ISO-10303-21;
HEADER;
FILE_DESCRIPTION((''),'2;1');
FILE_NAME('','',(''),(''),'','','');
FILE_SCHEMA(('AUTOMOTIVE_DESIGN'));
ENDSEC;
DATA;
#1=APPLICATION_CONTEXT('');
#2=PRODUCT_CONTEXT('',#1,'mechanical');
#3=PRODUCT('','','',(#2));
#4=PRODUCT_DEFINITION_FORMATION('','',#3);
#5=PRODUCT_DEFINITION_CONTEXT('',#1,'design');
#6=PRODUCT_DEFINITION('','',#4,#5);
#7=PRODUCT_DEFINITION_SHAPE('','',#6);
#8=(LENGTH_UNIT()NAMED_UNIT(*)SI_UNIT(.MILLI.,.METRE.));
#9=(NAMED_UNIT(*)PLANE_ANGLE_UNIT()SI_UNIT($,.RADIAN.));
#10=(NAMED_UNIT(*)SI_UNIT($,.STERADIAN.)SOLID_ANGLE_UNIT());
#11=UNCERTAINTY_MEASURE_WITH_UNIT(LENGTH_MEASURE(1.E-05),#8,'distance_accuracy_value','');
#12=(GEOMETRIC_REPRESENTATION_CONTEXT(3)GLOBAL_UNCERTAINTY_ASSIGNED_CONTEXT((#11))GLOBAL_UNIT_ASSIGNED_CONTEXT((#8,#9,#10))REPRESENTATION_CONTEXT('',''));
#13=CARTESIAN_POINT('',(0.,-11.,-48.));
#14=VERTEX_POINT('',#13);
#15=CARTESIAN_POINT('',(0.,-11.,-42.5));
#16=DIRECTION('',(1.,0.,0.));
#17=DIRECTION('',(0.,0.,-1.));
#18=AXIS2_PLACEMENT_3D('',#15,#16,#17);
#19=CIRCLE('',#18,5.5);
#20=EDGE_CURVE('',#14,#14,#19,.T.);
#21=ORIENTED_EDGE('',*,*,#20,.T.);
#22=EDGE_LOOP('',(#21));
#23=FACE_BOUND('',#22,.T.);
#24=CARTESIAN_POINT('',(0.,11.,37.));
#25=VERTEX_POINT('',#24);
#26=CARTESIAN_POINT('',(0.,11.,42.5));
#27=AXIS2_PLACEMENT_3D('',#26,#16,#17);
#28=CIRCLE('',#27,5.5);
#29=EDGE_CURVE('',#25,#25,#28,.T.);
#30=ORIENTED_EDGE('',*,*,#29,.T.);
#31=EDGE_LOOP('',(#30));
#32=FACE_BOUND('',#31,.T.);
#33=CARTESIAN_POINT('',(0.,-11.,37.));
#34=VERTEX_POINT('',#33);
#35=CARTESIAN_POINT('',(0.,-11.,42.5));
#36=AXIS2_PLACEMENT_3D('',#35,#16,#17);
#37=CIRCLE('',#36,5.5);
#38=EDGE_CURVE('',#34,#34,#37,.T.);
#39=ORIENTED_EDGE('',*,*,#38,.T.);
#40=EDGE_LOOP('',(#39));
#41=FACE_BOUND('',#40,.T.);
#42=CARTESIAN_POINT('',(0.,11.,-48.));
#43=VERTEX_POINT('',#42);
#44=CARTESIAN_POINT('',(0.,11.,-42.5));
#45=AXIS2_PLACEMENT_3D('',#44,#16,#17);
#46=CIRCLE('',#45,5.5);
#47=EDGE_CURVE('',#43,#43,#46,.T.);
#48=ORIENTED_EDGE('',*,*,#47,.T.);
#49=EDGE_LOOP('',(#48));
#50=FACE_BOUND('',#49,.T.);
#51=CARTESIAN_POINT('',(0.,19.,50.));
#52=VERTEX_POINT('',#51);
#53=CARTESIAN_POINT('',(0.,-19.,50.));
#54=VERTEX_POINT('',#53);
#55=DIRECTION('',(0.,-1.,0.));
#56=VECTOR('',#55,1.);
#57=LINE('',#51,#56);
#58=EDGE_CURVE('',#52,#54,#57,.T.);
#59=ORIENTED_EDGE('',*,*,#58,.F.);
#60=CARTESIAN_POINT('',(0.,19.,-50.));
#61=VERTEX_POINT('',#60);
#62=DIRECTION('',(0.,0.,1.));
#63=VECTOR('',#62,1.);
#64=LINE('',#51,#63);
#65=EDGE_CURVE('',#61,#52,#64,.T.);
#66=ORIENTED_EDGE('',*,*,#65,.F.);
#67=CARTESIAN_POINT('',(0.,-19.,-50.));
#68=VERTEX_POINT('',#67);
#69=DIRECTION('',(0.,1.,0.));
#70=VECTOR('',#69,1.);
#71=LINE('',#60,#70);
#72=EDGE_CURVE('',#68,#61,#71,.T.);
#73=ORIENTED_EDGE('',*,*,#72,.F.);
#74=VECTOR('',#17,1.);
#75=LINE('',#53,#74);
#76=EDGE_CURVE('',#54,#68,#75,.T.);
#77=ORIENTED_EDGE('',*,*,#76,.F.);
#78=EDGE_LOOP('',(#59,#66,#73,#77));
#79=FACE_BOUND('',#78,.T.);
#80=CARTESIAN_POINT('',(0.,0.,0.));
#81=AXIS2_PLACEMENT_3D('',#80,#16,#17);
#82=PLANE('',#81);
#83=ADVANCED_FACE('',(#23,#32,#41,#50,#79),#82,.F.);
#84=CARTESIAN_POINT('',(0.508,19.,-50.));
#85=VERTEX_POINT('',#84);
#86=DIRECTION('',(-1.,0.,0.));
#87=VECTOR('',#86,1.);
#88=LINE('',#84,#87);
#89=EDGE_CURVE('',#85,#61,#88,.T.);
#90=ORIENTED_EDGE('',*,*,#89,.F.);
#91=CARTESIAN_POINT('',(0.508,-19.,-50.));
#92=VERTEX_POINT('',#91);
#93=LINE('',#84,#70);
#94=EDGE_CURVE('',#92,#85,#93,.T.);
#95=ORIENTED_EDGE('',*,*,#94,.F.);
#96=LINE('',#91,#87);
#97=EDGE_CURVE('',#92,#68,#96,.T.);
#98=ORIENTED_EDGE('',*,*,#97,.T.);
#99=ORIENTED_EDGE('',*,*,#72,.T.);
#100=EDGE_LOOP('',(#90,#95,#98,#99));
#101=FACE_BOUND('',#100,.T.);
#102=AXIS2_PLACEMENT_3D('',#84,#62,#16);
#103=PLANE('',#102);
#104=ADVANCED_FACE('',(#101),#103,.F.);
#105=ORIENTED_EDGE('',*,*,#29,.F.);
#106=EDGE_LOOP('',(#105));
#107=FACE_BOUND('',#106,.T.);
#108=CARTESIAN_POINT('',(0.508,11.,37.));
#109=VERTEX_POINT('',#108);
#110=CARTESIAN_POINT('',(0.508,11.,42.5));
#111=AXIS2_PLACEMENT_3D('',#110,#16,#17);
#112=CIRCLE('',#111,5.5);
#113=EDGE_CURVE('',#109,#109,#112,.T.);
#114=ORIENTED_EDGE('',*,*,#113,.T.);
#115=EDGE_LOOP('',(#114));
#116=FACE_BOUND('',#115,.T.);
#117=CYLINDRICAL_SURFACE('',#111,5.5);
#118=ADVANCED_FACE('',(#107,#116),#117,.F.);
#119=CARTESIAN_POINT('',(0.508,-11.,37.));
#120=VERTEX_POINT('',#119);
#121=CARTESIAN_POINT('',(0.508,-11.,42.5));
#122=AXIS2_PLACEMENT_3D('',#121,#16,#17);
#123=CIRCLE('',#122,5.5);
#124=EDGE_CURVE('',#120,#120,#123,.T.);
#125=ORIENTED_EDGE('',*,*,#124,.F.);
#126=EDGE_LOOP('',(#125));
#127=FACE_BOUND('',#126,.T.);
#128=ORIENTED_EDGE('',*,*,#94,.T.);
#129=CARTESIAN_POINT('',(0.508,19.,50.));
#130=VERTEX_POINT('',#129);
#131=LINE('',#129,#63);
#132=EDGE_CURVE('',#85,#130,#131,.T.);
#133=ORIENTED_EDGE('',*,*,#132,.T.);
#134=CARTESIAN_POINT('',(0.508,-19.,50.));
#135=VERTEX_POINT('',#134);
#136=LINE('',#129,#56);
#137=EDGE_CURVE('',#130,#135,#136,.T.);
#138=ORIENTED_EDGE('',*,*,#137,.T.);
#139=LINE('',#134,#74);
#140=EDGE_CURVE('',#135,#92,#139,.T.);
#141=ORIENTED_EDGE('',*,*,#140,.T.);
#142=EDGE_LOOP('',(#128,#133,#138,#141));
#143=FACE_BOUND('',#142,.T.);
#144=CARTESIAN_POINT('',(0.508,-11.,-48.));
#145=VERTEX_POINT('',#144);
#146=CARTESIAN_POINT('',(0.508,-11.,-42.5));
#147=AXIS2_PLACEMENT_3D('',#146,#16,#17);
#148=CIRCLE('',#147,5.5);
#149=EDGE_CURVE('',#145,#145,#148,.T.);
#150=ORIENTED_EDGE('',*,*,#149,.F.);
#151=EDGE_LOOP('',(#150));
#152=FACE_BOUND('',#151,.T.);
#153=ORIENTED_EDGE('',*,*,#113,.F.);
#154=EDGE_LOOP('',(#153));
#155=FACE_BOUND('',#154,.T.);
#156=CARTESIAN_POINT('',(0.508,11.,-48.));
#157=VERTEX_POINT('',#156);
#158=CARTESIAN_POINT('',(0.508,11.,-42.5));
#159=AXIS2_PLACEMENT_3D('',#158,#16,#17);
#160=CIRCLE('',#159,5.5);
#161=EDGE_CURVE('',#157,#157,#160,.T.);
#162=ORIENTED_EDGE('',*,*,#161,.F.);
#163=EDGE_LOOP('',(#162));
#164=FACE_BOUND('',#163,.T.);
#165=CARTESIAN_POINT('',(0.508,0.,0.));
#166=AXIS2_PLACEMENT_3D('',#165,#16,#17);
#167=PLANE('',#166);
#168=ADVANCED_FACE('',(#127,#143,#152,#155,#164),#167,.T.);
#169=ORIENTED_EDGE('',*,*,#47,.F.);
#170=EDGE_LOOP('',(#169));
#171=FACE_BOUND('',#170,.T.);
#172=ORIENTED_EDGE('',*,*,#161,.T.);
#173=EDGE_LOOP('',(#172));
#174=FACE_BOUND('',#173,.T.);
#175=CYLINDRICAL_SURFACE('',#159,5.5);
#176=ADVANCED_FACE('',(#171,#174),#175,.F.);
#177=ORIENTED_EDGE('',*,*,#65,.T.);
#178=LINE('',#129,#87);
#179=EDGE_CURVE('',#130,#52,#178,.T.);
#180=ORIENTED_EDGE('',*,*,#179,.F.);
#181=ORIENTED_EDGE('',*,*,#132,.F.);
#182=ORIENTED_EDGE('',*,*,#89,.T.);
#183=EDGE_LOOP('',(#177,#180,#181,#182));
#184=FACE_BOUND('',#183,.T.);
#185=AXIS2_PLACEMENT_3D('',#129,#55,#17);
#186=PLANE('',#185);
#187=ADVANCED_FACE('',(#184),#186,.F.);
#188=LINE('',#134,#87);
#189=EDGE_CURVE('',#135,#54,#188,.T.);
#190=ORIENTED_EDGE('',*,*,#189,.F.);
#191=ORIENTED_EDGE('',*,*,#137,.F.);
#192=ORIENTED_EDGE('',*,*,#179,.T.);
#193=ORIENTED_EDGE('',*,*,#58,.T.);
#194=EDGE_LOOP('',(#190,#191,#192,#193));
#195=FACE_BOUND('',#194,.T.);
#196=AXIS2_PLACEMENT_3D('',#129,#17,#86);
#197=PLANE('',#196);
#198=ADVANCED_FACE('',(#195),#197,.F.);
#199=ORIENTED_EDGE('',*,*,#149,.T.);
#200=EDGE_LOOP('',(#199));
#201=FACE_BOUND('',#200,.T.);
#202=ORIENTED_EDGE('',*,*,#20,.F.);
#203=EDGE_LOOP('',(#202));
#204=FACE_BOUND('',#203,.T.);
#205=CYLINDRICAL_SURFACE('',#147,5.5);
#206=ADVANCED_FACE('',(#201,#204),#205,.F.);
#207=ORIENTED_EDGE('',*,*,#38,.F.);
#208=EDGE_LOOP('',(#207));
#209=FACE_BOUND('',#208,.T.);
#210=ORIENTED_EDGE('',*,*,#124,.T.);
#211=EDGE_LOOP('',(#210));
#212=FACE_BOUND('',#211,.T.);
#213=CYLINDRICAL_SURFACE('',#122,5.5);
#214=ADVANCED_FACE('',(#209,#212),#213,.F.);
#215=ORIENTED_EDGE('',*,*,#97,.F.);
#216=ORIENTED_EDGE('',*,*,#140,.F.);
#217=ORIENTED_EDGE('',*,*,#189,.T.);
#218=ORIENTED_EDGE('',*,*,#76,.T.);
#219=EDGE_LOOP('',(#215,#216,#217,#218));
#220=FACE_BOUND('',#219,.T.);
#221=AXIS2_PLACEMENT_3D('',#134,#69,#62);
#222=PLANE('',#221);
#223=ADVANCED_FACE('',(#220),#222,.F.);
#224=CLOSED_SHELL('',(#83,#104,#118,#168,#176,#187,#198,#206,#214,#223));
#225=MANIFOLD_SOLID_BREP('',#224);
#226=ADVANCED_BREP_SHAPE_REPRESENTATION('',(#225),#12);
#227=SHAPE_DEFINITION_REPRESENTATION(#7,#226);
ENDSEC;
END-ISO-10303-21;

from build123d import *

# Parameters (mm, degrees)
SKETCH1_W             = 100
SKETCH1_H             = 38
BOSS_EXTRUDE1_DEPTH   = 0.508
M10_CLEARANCE_HOLE1_D = 11


with BuildPart() as part:
    # Sketch1 → Boss-Extrude1 (new body)
    with BuildSketch(Plane(origin=(0, 0, 0), x_dir=(0, 0, -1), z_dir=(1, 0, 0))):
        Rectangle(SKETCH1_W, SKETCH1_H)
    extrude(amount=BOSS_EXTRUDE1_DEPTH)

    # M10 Clearance Hole1 (through all)
    with Locations(Plane(origin=(0.508, 0, 0), x_dir=(0, 0, -1), z_dir=(1, 0, 0))):
        with Locations((-42.5, 11), (-42.5, -11), (42.5, 11), (42.5, -11)):
            Hole(M10_CLEARANCE_HOLE1_D / 2)


solid = part.part
